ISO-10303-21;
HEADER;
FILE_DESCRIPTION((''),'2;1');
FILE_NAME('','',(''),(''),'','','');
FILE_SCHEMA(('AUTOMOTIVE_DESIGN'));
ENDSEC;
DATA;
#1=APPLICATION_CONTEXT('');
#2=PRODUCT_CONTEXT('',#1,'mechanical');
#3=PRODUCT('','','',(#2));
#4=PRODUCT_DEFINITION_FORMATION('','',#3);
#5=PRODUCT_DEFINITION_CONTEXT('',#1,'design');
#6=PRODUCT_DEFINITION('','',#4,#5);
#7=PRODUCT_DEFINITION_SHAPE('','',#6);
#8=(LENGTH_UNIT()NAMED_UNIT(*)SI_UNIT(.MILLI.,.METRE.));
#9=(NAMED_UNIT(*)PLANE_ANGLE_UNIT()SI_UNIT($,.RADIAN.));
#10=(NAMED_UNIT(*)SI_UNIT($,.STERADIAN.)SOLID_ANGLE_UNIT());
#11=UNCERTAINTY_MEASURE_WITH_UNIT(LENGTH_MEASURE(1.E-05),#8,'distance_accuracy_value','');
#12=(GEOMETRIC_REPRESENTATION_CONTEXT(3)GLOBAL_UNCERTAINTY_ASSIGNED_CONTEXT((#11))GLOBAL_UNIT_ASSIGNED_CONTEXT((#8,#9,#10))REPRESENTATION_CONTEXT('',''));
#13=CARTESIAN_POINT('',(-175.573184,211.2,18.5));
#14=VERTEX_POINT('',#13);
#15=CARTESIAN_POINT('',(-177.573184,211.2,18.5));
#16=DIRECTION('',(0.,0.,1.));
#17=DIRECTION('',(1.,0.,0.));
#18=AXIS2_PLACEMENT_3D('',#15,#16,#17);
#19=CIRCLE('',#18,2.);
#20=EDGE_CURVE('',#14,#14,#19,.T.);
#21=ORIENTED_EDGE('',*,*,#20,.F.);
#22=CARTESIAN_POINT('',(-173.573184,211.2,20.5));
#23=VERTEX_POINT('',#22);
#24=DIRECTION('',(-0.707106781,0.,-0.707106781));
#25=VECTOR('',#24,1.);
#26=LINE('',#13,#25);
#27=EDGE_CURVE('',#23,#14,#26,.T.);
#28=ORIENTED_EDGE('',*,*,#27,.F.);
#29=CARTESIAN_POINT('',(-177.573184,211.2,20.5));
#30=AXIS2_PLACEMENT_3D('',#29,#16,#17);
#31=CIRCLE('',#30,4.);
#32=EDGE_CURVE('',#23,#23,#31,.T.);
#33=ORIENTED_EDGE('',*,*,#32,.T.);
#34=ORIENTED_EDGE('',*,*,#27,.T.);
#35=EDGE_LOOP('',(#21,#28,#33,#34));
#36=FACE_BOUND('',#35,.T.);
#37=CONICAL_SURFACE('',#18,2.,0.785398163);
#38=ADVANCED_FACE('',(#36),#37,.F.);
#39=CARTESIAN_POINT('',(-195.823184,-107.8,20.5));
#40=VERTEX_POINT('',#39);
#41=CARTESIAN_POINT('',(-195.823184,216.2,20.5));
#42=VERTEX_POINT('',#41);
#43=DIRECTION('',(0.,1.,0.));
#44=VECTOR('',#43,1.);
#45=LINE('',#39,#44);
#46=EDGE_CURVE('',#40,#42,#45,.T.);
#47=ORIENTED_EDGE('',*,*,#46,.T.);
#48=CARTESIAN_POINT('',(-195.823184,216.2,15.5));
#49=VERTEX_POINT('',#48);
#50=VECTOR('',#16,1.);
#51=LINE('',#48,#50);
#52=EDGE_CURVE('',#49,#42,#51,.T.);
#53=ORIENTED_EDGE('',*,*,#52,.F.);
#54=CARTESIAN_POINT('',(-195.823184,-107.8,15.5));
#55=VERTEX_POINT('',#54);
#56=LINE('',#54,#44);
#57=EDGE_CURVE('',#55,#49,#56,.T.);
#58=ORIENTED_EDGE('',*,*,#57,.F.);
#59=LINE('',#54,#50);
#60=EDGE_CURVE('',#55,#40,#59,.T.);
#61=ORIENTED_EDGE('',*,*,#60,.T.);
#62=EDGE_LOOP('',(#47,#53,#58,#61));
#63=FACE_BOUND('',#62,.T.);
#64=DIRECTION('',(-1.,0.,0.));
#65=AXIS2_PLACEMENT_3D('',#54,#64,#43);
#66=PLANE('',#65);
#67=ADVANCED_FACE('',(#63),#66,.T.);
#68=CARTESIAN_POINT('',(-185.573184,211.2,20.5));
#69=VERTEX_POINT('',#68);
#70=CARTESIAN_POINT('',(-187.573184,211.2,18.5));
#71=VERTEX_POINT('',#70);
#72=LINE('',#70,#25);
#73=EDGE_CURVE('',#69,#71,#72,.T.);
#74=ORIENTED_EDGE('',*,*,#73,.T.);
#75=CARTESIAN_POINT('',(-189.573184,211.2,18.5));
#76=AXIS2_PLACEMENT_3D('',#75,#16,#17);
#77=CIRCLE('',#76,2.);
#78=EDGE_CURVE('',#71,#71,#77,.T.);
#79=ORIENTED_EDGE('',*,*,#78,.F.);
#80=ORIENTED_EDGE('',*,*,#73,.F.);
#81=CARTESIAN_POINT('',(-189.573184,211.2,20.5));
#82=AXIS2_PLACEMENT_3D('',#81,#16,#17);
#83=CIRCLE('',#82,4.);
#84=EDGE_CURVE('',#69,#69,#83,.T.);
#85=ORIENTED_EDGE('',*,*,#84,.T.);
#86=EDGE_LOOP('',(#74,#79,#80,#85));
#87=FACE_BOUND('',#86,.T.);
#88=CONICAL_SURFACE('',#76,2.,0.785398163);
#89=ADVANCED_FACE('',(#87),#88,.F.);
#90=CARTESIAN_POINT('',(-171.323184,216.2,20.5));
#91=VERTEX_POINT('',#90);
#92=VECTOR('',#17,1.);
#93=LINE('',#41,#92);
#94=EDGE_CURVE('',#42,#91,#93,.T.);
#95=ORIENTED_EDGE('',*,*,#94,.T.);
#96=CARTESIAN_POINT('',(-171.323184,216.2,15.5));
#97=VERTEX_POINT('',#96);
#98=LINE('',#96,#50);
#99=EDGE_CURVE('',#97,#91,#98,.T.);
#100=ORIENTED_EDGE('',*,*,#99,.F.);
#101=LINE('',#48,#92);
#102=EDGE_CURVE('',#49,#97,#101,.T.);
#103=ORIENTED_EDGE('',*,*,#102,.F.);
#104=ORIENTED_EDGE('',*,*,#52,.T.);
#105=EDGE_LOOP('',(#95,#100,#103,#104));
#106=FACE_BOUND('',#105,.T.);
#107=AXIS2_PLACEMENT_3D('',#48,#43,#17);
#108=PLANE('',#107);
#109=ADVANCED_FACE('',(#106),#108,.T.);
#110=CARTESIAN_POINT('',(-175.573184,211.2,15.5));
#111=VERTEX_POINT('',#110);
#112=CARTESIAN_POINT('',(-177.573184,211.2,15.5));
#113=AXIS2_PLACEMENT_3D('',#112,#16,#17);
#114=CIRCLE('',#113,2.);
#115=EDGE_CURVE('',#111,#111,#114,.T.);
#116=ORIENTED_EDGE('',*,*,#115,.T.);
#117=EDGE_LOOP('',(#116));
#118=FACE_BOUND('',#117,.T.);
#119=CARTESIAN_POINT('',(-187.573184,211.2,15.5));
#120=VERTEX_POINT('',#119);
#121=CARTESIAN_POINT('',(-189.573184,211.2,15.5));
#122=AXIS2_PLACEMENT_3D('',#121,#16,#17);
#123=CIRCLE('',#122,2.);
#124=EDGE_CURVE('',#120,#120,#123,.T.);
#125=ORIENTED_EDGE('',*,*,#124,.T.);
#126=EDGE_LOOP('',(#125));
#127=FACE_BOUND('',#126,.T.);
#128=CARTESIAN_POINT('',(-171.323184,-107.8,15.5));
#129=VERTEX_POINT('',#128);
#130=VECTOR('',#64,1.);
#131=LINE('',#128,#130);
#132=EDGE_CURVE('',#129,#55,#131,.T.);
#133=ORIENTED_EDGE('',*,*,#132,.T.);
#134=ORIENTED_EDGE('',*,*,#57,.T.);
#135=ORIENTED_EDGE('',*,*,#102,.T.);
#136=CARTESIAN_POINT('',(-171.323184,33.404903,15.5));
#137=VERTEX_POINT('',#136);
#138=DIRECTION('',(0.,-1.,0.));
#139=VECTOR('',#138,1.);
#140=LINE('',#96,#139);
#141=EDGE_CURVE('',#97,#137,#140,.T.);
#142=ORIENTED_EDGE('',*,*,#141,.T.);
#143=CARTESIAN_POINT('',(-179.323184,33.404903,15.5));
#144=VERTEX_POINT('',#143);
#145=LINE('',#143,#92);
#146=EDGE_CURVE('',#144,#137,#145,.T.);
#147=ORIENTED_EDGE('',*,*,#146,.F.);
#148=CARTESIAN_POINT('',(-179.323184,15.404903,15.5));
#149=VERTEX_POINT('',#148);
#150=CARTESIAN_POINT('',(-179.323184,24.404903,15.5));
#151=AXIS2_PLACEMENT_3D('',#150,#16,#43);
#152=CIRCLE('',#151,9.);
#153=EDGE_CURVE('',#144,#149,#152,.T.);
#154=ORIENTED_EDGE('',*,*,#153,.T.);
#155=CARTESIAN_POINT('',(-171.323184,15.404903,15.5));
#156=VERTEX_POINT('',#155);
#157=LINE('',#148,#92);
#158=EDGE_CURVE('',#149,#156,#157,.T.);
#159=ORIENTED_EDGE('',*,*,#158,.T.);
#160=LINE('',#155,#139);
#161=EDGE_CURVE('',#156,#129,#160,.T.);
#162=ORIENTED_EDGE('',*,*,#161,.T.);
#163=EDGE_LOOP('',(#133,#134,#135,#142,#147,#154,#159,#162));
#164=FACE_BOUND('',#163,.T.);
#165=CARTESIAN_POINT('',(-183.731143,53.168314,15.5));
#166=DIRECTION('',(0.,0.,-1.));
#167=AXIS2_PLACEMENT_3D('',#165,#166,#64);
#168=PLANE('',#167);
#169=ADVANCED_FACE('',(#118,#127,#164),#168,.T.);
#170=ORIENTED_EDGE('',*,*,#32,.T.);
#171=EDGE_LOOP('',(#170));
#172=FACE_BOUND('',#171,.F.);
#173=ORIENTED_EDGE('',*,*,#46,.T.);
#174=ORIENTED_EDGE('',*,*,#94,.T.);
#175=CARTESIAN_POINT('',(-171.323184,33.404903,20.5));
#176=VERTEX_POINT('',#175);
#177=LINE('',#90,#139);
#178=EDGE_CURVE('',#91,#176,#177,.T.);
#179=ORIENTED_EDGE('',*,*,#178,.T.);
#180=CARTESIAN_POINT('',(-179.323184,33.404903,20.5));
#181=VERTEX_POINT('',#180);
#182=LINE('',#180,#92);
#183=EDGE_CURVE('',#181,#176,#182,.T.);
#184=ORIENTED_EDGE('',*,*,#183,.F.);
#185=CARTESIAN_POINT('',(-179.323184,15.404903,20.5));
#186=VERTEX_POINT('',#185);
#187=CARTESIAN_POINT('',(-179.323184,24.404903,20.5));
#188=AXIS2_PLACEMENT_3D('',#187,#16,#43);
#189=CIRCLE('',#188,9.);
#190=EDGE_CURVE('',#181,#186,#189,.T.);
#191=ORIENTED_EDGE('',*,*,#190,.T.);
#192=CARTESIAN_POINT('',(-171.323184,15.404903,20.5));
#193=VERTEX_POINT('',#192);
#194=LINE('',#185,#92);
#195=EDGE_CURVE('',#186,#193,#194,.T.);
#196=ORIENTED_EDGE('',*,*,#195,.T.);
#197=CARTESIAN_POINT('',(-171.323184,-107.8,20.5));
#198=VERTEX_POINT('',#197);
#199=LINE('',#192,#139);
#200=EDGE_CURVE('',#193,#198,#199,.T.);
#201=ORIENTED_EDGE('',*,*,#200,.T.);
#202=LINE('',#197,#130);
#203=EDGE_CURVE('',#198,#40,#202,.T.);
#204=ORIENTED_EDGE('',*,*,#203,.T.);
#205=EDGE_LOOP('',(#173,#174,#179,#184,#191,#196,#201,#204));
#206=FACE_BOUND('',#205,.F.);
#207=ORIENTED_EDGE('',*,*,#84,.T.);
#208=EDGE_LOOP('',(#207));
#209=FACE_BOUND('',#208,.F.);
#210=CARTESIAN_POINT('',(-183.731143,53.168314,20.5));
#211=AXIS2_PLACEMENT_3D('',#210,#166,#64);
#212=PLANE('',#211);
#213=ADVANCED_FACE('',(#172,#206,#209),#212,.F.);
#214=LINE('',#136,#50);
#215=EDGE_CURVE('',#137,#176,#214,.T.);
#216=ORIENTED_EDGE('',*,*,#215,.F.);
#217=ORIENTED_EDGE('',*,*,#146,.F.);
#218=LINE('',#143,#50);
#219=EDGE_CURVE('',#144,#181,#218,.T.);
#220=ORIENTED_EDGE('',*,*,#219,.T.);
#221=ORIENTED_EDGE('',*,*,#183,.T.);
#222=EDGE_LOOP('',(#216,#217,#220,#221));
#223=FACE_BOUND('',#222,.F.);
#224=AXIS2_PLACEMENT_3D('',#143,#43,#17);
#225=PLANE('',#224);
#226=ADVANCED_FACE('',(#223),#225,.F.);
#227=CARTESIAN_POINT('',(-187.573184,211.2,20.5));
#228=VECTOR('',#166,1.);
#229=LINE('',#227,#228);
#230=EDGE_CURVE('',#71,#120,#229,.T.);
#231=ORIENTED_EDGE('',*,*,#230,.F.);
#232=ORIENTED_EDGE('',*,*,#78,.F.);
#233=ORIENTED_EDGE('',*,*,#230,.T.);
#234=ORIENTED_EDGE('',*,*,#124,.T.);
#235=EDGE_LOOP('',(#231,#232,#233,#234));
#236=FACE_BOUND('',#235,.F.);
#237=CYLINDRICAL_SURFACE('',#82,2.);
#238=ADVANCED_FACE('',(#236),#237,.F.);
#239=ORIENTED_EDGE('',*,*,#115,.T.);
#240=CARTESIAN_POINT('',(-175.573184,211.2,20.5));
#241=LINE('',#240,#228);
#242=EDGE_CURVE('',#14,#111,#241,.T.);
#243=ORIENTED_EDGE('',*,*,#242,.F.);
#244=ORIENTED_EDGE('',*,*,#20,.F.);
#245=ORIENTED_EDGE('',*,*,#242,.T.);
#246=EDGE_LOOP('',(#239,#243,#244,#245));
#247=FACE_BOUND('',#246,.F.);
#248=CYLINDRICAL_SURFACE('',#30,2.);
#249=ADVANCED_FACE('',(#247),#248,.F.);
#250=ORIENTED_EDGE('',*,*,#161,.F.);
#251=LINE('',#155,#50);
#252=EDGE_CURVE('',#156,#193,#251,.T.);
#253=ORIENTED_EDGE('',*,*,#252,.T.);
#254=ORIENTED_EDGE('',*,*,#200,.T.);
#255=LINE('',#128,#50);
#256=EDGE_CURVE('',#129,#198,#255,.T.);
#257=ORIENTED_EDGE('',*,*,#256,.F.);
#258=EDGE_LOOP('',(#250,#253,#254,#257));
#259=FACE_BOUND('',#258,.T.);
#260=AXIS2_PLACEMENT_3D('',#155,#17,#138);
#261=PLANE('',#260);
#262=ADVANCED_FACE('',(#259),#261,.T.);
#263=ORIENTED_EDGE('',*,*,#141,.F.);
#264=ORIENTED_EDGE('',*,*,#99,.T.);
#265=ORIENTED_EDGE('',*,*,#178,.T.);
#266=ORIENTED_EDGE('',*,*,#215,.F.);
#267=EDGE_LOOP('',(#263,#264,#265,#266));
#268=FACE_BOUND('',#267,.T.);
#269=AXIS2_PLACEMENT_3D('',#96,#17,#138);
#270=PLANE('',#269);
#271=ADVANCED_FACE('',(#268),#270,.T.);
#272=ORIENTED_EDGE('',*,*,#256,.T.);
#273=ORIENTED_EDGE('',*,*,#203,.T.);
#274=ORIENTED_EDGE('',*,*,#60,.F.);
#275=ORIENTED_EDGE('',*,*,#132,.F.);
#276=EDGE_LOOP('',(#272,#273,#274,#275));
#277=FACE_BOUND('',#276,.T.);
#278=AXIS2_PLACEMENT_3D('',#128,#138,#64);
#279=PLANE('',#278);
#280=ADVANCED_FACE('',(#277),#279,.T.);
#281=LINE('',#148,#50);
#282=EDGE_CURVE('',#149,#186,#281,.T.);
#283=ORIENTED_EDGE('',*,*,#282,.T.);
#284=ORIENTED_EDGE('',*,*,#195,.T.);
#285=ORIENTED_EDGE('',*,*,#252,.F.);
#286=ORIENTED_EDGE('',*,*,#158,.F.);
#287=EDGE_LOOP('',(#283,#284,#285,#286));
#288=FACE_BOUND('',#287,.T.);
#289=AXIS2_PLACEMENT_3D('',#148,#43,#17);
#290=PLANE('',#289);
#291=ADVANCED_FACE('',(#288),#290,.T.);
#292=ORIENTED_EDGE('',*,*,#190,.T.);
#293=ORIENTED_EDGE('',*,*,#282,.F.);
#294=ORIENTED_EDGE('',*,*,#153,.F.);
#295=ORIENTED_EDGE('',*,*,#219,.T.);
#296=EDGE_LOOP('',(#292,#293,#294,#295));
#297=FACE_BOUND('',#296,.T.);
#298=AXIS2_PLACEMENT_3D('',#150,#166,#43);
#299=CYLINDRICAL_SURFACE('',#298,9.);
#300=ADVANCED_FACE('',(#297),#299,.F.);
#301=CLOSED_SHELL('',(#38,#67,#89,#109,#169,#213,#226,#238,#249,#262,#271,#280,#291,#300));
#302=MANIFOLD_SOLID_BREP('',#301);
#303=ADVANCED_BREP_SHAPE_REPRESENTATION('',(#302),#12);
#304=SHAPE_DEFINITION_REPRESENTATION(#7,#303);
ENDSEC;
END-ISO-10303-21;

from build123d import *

# Parameters (mm, degrees)
PAD025_DEPTH    = 5
SKETCH057_R     = 2
POCKET035_DEPTH = 5.001
CHAMFER019_SIZE = 2


with BuildPart() as part:
    # Sketch051 → Pad025 (new body)
    with BuildSketch(Plane.XY):
        with BuildLine():
            Line((-171.323184, 15.404903), (-171.323184, -107.8))
            Line((-171.323184, -107.8), (-195.823184, -107.8))
            Line((-195.823184, -107.8), (-195.823184, 216.2))
            Line((-195.823184, 216.2), (-171.323184, 216.2))
            Line((-171.323184, 216.2), (-171.323184, 33.404903))
            Line((-179.323184, 33.404903), (-171.323184, 33.404903))
            ThreePointArc((-179.323184, 33.404903), (-188.323184, 24.404903), (-179.323184, 15.404903))
            Line((-179.323184, 15.404903), (-171.323184, 15.404903))
        make_face()
    extrude(amount=PAD025_DEPTH)

    # Sketch057 (on Face10 of Pad025) → Pocket035 (cut, through all)
    with BuildSketch(Plane.XY.offset(5)):
        with Locations((-189.573184, 211.2)):
            Circle(SKETCH057_R)
        with Locations((-177.573184, 211.2)):
            Circle(SKETCH057_R)
    extrude(amount=-POCKET035_DEPTH, mode=Mode.SUBTRACT)

    # Chamfer019
    chamfer019_edges = [part.edges().sort_by_distance(p)[0] for p in [
        (-191.573184, 211.2, 5),
        (-179.573184, 211.2, 5),
    ]]
    chamfer(chamfer019_edges, length=CHAMFER019_SIZE)


with BuildPart() as part_1:
    # Body018 placement: moved
    add(part.part.moved(Location((0, 0, 15.5))))


solid = part_1.part
